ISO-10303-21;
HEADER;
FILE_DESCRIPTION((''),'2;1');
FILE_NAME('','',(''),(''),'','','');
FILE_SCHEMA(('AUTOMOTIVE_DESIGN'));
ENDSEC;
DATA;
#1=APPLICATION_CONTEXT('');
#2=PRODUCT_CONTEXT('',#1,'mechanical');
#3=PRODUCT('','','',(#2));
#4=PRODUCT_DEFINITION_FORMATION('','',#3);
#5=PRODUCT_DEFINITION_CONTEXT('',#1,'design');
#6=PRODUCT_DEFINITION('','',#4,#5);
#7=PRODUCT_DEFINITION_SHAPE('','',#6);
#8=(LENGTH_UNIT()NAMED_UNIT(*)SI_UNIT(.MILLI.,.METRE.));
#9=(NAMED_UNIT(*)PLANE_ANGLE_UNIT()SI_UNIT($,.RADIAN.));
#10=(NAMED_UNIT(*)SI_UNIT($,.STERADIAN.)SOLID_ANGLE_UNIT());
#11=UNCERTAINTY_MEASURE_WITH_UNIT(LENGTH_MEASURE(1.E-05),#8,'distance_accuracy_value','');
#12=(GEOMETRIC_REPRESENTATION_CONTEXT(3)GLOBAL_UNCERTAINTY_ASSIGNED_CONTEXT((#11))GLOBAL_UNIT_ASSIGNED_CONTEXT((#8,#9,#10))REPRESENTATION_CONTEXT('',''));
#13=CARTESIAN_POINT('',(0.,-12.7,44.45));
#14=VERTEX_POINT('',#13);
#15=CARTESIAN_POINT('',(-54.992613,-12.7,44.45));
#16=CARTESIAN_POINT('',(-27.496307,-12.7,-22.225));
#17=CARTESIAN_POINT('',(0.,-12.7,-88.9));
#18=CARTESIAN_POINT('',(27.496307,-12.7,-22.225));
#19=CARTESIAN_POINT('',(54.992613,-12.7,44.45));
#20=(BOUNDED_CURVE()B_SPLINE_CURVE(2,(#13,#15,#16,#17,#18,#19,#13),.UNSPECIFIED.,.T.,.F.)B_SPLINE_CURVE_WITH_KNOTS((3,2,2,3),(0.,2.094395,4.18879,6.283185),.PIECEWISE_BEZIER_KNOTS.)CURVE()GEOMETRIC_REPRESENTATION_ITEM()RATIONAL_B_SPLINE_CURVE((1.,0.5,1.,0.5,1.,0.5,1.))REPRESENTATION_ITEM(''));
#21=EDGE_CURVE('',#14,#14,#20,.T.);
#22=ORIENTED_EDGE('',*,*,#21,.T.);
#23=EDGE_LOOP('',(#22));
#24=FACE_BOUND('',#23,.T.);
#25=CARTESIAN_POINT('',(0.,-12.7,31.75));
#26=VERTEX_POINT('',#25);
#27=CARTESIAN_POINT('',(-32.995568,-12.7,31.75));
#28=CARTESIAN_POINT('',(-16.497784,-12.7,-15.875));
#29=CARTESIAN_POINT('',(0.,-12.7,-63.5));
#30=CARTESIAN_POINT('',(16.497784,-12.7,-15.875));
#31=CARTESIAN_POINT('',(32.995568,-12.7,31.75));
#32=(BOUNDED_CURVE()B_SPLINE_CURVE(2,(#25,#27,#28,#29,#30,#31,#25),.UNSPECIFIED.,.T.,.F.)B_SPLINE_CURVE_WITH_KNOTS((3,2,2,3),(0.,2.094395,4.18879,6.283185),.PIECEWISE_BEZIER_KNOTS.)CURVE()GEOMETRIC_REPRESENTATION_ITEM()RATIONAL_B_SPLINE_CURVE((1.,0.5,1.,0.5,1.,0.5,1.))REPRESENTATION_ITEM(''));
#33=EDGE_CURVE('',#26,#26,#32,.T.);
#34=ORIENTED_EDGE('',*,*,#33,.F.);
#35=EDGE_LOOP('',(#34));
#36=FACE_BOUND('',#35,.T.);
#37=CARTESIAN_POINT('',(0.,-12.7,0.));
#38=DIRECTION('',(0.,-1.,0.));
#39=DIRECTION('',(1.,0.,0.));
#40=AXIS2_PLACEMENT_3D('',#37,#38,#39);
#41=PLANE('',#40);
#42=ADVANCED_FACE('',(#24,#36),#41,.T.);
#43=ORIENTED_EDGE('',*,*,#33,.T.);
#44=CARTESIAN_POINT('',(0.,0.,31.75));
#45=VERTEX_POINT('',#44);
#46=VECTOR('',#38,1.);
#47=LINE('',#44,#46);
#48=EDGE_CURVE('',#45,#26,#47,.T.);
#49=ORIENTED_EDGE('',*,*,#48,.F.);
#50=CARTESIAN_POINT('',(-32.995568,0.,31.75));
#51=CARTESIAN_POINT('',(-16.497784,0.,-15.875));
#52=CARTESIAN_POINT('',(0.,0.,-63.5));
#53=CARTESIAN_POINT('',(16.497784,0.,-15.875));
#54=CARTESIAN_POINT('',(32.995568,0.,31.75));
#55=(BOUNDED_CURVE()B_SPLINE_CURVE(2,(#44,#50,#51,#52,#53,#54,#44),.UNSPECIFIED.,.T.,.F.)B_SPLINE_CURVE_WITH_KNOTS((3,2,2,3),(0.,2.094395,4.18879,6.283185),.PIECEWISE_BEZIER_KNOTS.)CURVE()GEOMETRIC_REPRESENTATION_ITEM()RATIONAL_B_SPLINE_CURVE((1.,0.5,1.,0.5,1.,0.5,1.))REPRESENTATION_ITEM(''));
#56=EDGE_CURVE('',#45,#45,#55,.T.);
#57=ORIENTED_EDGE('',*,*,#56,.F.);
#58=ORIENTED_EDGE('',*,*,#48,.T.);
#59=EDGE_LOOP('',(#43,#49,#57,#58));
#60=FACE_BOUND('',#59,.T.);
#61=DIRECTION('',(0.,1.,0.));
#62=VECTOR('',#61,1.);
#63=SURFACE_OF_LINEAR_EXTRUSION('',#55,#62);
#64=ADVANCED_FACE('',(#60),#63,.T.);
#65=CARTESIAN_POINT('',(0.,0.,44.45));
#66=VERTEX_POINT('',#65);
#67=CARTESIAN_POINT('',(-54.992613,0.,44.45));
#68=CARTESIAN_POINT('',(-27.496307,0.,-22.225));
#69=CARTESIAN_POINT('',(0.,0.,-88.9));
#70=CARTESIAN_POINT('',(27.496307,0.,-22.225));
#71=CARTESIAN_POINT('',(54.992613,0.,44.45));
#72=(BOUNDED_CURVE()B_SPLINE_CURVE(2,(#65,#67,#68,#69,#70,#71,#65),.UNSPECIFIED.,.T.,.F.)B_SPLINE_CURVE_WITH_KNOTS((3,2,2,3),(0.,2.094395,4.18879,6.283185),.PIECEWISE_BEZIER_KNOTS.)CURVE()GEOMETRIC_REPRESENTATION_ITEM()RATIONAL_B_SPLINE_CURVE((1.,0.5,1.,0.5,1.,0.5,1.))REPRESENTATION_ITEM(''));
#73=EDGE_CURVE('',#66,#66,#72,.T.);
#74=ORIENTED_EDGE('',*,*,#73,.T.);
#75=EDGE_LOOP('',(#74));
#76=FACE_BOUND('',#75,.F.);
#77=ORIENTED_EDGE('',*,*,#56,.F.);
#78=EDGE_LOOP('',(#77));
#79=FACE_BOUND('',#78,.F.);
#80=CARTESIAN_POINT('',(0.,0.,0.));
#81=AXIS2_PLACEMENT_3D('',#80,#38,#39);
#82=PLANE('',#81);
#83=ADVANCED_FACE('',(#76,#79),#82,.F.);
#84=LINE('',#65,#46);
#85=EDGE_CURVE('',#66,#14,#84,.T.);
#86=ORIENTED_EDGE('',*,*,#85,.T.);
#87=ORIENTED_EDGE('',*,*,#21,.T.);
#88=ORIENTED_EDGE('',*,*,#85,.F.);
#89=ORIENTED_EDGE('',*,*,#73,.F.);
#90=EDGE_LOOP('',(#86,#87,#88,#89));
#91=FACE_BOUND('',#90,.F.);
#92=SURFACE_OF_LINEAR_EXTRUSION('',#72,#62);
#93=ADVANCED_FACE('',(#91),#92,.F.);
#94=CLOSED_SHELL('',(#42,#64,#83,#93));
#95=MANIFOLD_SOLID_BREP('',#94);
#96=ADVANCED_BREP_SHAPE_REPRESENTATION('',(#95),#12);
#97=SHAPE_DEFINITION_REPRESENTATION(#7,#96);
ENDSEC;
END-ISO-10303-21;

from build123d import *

# Parameters (mm, degrees)
F1_DEPTH = 12.7


with BuildPart() as f1:
    # F0 (on Front) → F1 (new body)
    with BuildSketch(Plane.XZ):
        with BuildLine():
            add(Edge.make_bspline(
                [(0, 44.45), (-54.992613, 44.45), (-27.496307, -22.225), (0, -88.9), (27.496307, -22.225), (54.992613, 44.45), (0, 44.45)],
                knots=[0, 0, 0, 2.094395, 2.094395, 4.18879, 4.18879, 6.283185, 6.283185, 6.283185], degree=2, weights=[1, 0.5, 1, 0.5, 1, 0.5, 1]))
        make_face()
        with BuildLine():
            add(Edge.make_bspline(
                [(0, 31.75), (-32.995568, 31.75), (-16.497784, -15.875), (0, -63.5), (16.497784, -15.875), (32.995568, 31.75), (0, 31.75)],
                knots=[0, 0, 0, 2.094395, 2.094395, 4.18879, 4.18879, 6.283185, 6.283185, 6.283185], degree=2, weights=[1, 0.5, 1, 0.5, 1, 0.5, 1]))
        make_face(mode=Mode.SUBTRACT)
    extrude(amount=F1_DEPTH)


solid = f1.part
